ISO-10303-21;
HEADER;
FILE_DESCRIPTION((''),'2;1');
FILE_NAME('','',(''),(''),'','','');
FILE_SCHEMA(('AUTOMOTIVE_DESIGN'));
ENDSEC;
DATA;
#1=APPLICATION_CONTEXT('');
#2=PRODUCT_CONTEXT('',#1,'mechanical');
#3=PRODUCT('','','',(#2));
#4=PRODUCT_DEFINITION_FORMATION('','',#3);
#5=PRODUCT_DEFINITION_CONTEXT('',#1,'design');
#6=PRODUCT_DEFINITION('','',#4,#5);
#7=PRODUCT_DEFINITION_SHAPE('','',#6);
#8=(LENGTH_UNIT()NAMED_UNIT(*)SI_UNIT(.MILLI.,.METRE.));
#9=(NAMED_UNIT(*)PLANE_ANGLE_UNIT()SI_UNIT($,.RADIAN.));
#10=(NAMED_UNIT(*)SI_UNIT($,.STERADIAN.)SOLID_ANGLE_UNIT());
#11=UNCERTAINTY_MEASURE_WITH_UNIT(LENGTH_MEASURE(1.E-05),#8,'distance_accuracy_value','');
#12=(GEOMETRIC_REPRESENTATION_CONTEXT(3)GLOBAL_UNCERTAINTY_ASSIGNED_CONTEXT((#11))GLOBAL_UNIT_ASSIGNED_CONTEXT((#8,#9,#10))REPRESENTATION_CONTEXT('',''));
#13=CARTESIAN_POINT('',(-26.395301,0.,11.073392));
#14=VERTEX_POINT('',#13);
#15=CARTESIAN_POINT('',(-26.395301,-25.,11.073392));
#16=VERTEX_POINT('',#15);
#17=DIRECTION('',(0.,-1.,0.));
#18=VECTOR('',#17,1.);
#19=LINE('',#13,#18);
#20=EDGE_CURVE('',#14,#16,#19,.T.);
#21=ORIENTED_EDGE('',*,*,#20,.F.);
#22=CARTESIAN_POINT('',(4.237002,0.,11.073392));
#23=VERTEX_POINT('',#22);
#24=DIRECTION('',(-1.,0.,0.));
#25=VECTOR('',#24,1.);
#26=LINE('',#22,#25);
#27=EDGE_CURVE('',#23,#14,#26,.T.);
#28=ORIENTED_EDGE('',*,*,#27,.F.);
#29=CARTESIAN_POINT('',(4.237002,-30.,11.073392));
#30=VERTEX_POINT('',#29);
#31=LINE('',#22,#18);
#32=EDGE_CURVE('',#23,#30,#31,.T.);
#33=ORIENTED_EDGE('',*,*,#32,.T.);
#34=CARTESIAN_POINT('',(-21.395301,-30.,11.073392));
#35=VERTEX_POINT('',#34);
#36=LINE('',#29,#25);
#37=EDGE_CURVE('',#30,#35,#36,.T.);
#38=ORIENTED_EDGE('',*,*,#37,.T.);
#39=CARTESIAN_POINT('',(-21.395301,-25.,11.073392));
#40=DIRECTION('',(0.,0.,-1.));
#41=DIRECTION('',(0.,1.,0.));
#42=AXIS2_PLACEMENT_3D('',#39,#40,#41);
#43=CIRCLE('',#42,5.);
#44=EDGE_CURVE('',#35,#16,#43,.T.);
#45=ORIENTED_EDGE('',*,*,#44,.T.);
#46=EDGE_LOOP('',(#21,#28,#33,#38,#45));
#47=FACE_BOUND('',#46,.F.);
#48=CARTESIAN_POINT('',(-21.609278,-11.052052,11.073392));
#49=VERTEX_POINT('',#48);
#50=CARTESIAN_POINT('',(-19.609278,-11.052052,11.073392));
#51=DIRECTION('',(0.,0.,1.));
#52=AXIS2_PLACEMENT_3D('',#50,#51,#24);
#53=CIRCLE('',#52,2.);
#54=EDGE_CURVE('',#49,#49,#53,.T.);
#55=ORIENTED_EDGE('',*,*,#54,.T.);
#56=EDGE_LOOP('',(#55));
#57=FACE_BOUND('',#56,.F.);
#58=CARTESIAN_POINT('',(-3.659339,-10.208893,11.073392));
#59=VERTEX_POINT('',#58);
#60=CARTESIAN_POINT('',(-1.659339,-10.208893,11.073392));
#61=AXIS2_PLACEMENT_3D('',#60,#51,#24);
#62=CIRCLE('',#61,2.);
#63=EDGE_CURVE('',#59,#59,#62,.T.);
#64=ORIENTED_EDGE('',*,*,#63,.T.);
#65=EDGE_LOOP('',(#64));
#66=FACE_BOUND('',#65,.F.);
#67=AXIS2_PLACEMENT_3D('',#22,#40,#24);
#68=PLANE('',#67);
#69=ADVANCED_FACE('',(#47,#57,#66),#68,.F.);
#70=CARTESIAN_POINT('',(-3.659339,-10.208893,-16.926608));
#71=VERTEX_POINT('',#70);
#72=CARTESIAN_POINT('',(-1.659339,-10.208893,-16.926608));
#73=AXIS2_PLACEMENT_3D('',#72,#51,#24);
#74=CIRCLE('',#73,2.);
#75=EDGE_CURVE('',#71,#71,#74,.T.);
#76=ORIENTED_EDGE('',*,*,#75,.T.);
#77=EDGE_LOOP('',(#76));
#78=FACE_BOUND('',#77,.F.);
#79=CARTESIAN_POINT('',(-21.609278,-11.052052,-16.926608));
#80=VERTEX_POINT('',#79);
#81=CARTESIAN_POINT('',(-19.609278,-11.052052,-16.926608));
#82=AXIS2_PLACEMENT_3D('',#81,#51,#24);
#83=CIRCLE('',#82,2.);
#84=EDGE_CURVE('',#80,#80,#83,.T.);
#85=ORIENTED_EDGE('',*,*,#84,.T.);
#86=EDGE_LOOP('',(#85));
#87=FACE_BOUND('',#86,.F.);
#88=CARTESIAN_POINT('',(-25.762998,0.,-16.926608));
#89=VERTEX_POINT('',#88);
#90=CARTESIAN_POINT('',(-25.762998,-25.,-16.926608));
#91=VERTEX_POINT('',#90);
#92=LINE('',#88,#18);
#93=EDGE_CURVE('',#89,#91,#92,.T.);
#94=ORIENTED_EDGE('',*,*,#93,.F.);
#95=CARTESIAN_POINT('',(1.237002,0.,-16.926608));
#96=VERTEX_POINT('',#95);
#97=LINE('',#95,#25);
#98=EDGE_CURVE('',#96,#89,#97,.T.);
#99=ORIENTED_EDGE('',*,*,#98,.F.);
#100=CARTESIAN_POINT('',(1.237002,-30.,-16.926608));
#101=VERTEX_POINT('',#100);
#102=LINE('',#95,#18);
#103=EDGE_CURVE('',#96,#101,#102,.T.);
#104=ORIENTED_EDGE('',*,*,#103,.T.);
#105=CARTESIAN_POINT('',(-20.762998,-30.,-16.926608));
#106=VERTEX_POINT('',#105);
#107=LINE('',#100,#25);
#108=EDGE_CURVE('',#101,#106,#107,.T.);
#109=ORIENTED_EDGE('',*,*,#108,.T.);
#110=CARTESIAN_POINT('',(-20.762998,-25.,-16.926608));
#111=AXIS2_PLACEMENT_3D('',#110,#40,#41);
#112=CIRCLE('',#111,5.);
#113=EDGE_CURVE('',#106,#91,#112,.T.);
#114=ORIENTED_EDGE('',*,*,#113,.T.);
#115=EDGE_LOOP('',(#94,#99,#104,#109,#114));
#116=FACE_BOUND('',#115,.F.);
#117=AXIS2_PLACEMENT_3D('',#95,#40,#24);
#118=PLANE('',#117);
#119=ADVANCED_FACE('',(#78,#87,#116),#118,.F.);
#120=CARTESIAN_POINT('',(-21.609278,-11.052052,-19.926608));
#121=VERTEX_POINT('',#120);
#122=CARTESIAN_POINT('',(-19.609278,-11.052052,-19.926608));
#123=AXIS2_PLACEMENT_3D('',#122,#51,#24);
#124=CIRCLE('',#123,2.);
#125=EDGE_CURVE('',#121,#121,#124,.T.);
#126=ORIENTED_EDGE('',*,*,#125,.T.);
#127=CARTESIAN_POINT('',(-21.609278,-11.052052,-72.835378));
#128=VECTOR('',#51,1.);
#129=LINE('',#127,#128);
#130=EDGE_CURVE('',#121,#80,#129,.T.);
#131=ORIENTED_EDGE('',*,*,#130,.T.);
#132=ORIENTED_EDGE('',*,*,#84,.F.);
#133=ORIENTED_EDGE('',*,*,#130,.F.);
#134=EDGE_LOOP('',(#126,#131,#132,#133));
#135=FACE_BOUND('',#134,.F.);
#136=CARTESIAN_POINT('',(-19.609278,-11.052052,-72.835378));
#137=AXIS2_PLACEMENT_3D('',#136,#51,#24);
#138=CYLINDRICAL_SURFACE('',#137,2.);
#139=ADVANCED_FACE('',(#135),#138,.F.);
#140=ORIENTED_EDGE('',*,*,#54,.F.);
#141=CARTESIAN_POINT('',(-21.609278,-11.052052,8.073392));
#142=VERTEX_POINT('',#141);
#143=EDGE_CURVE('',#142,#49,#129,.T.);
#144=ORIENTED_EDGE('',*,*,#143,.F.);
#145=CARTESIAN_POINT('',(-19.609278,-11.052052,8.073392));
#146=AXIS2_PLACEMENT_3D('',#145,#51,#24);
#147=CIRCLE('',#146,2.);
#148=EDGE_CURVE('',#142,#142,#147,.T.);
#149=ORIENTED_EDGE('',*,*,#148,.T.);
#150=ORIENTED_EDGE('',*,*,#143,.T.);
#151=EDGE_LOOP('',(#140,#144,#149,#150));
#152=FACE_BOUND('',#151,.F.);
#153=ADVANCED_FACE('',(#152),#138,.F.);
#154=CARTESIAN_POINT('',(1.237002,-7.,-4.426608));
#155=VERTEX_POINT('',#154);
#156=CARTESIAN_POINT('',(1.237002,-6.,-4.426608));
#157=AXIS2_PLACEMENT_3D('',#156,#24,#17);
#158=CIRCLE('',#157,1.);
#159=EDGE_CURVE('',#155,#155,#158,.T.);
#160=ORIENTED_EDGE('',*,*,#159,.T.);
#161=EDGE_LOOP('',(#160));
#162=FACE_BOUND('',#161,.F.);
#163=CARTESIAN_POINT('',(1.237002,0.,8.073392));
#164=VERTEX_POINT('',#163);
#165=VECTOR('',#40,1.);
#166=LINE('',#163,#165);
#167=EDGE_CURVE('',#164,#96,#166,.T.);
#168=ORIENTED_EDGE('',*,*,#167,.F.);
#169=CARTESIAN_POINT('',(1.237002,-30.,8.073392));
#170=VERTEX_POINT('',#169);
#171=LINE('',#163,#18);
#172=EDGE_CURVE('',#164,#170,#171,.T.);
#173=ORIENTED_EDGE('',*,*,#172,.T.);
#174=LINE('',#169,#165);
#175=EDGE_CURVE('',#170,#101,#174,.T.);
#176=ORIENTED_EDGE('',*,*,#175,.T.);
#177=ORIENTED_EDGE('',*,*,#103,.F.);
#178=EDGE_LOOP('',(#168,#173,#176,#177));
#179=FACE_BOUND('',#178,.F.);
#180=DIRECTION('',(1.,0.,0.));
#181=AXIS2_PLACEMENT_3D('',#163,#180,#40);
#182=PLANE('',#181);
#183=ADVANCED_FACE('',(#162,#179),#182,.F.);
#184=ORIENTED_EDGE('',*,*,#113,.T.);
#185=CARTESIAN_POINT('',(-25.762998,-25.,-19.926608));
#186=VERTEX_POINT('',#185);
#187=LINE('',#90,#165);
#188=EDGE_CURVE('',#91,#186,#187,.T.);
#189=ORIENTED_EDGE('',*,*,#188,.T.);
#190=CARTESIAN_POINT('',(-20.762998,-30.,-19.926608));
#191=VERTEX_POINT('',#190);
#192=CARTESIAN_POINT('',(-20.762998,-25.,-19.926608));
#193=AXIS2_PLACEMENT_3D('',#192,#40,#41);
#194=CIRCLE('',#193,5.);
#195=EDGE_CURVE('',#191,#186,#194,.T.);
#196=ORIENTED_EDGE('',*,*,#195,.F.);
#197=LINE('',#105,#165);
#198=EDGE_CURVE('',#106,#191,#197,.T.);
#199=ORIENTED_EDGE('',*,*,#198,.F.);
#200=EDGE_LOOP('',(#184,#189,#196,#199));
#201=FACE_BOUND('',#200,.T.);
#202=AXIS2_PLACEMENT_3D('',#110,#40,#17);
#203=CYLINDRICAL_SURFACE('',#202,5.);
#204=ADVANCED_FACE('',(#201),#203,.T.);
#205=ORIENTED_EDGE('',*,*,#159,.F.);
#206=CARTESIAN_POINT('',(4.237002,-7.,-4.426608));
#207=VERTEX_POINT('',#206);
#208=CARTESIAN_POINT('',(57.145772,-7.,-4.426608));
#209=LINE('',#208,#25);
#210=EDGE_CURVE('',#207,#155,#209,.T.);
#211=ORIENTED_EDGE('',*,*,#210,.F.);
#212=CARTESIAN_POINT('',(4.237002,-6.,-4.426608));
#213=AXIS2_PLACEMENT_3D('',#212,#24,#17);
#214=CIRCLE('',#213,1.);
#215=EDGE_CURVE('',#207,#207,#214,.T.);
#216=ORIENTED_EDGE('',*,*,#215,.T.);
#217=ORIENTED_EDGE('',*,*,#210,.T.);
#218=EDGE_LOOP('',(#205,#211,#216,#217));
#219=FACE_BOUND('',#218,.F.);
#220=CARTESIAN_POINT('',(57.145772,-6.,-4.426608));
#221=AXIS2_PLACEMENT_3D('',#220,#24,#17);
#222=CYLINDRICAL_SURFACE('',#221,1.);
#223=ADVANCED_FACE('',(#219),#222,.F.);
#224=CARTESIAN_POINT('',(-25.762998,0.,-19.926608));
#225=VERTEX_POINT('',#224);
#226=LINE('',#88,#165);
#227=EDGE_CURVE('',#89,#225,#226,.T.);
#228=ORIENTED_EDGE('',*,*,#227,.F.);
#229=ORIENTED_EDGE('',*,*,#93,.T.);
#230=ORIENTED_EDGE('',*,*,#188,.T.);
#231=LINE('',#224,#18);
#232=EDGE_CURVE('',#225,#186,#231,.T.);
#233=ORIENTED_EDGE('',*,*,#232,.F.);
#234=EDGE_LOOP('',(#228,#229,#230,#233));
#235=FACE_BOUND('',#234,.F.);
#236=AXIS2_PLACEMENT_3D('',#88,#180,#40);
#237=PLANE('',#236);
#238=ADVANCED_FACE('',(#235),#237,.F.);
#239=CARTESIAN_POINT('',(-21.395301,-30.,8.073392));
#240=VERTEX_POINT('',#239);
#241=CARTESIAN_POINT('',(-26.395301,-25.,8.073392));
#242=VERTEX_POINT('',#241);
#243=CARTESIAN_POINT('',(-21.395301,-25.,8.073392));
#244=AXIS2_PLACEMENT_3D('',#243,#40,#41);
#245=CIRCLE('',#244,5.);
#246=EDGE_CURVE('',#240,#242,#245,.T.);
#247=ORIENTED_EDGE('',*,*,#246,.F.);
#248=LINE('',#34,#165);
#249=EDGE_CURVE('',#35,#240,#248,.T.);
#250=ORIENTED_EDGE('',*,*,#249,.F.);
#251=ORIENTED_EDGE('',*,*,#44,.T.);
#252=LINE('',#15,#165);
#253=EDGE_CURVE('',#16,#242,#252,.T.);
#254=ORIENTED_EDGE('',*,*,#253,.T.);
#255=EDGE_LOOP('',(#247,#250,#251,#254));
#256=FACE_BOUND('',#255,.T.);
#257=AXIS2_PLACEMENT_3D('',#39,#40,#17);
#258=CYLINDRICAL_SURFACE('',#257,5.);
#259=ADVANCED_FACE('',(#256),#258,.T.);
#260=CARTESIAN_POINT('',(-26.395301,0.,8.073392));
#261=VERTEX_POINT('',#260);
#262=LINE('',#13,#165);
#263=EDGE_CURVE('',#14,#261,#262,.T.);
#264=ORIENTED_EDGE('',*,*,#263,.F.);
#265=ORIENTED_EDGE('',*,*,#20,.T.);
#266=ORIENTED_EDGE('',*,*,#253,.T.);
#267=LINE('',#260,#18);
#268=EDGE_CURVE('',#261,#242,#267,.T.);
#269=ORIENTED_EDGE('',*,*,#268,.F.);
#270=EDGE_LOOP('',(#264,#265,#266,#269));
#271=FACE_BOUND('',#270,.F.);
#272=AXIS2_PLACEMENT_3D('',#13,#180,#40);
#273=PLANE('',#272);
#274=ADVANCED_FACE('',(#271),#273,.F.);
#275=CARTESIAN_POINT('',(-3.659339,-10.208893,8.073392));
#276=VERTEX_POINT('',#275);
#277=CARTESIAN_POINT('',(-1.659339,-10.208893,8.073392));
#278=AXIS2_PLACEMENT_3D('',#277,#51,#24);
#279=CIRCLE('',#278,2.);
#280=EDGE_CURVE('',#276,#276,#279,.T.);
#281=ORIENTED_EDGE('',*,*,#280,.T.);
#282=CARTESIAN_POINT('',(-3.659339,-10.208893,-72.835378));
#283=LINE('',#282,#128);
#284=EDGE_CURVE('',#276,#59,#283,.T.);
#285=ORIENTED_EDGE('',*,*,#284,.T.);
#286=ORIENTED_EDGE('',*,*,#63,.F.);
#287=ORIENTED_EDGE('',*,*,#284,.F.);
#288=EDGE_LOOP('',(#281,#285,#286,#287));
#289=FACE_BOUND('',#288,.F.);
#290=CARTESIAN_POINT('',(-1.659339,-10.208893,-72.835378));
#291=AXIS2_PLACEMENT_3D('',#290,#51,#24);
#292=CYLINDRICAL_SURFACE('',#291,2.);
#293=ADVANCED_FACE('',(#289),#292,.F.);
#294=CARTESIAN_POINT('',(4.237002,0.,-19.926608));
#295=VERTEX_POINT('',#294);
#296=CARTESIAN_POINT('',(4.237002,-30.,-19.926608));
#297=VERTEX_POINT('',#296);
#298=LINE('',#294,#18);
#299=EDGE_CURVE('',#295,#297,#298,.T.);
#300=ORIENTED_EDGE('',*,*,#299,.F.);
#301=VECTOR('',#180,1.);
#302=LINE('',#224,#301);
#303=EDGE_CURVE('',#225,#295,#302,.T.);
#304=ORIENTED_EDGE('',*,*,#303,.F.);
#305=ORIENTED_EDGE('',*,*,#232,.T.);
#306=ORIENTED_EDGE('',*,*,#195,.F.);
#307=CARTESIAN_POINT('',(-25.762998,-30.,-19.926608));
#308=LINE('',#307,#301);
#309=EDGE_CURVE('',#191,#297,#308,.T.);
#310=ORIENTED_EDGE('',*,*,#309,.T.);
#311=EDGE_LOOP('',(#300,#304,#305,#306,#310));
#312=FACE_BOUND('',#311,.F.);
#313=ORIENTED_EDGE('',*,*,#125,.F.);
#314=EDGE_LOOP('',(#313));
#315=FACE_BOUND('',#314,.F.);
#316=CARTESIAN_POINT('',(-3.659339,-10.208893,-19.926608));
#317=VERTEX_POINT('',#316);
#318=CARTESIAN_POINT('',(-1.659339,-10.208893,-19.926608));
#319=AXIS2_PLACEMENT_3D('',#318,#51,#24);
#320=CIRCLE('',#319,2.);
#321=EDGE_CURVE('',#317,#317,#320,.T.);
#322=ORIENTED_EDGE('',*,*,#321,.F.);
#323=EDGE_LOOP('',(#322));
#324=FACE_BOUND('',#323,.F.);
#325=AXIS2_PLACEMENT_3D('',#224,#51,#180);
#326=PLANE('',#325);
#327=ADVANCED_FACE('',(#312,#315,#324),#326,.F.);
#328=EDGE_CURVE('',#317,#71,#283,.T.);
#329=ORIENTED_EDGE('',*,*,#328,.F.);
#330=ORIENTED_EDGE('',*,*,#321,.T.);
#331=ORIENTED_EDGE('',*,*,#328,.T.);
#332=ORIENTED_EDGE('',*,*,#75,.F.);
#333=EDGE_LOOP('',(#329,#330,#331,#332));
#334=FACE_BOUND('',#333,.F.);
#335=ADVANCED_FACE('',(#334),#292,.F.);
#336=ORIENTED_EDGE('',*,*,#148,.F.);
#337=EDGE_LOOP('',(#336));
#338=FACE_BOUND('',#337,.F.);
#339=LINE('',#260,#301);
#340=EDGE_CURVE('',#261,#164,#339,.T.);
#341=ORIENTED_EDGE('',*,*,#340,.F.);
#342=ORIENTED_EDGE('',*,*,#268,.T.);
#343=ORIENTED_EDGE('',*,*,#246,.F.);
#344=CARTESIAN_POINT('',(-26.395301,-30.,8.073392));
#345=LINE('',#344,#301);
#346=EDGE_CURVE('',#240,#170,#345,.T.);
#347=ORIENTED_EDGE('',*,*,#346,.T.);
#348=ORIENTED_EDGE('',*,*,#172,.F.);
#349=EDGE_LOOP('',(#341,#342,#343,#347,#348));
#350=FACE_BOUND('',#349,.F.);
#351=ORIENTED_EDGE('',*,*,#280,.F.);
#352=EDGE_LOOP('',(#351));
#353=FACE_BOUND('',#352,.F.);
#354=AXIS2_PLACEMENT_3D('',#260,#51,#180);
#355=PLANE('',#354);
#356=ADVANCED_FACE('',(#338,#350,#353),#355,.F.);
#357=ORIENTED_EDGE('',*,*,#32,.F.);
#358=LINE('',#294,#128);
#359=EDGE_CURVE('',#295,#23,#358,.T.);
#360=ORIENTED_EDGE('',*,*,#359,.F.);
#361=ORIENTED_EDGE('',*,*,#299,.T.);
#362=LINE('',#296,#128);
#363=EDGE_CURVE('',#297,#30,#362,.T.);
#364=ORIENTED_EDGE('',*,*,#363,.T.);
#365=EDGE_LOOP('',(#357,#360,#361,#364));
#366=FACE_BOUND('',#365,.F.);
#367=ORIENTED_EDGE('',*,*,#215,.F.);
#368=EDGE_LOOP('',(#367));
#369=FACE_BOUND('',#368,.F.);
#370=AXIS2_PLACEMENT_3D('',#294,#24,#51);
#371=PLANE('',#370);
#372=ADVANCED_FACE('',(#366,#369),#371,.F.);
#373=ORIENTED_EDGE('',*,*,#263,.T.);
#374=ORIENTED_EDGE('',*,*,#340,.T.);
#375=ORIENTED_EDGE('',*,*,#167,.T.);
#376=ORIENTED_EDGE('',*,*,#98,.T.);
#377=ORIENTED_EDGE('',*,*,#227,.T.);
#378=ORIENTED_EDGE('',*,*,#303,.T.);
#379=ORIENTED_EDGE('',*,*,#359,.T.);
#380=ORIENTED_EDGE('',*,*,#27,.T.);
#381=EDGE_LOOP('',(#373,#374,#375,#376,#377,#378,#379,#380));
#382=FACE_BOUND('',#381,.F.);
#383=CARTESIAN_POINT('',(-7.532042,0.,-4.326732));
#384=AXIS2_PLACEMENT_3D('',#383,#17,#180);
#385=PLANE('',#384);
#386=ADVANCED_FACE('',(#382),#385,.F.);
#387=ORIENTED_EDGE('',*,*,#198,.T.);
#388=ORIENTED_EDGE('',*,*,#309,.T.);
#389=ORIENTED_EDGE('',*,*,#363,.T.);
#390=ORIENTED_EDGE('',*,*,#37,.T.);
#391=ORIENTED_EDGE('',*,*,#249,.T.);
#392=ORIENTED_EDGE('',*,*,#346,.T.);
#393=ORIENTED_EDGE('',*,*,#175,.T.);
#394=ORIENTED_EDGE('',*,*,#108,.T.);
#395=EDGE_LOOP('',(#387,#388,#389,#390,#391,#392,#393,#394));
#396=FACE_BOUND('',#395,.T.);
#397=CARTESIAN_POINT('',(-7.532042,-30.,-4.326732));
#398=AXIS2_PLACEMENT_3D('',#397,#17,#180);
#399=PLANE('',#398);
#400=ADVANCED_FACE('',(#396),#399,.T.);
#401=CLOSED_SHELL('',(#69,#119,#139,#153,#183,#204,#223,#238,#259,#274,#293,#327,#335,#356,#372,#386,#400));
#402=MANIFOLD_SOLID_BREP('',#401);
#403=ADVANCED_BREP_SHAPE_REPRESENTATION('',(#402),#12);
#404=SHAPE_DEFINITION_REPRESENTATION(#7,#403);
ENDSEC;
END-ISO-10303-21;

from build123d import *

# Parameters (mm, degrees)
F1_DEPTH = 30
F3_D     = 2
F5_D     = 4
F6_R     = 5
F7_R     = 5


with BuildPart() as f1:
    # F0 (on Front) → F1 (new body)
    with BuildSketch(Plane.XZ):
        Polygon((-25.762998, -16.926608), (-25.762998, -19.926608), (4.237002, -19.926608), (4.237002, 11.073392), (-26.395301, 11.073392), (-26.395301, 8.073392), (1.237002, 8.073392), (1.237002, -16.926608), align=None)
    extrude(amount=F1_DEPTH)

    # F3 (through all)
    with Locations(Plane.YZ.offset(4.237002)):
        with Locations((-6, -4.426608)):
            Hole(F3_D / 2)

    # F5 (through all)
    with Locations(Plane(origin=(0, 0, -19.926608), x_dir=(1, 0, 0), z_dir=(0, 0, -1))):
        with Locations((-19.609278, 11.052052), (-1.659339, 10.208893)):
            Hole(F5_D / 2)

    # F6
    f6_edges = [f1.edges().sort_by_distance(p)[0] for p in [
        (-26.395301, -30, 9.573392),
    ]]
    fillet(f6_edges, radius=F6_R)

    # F7
    f7_edges = [f1.edges().sort_by_distance(p)[0] for p in [
        (-25.762998, -30, -18.426608),
    ]]
    fillet(f7_edges, radius=F7_R)


solid = f1.part
